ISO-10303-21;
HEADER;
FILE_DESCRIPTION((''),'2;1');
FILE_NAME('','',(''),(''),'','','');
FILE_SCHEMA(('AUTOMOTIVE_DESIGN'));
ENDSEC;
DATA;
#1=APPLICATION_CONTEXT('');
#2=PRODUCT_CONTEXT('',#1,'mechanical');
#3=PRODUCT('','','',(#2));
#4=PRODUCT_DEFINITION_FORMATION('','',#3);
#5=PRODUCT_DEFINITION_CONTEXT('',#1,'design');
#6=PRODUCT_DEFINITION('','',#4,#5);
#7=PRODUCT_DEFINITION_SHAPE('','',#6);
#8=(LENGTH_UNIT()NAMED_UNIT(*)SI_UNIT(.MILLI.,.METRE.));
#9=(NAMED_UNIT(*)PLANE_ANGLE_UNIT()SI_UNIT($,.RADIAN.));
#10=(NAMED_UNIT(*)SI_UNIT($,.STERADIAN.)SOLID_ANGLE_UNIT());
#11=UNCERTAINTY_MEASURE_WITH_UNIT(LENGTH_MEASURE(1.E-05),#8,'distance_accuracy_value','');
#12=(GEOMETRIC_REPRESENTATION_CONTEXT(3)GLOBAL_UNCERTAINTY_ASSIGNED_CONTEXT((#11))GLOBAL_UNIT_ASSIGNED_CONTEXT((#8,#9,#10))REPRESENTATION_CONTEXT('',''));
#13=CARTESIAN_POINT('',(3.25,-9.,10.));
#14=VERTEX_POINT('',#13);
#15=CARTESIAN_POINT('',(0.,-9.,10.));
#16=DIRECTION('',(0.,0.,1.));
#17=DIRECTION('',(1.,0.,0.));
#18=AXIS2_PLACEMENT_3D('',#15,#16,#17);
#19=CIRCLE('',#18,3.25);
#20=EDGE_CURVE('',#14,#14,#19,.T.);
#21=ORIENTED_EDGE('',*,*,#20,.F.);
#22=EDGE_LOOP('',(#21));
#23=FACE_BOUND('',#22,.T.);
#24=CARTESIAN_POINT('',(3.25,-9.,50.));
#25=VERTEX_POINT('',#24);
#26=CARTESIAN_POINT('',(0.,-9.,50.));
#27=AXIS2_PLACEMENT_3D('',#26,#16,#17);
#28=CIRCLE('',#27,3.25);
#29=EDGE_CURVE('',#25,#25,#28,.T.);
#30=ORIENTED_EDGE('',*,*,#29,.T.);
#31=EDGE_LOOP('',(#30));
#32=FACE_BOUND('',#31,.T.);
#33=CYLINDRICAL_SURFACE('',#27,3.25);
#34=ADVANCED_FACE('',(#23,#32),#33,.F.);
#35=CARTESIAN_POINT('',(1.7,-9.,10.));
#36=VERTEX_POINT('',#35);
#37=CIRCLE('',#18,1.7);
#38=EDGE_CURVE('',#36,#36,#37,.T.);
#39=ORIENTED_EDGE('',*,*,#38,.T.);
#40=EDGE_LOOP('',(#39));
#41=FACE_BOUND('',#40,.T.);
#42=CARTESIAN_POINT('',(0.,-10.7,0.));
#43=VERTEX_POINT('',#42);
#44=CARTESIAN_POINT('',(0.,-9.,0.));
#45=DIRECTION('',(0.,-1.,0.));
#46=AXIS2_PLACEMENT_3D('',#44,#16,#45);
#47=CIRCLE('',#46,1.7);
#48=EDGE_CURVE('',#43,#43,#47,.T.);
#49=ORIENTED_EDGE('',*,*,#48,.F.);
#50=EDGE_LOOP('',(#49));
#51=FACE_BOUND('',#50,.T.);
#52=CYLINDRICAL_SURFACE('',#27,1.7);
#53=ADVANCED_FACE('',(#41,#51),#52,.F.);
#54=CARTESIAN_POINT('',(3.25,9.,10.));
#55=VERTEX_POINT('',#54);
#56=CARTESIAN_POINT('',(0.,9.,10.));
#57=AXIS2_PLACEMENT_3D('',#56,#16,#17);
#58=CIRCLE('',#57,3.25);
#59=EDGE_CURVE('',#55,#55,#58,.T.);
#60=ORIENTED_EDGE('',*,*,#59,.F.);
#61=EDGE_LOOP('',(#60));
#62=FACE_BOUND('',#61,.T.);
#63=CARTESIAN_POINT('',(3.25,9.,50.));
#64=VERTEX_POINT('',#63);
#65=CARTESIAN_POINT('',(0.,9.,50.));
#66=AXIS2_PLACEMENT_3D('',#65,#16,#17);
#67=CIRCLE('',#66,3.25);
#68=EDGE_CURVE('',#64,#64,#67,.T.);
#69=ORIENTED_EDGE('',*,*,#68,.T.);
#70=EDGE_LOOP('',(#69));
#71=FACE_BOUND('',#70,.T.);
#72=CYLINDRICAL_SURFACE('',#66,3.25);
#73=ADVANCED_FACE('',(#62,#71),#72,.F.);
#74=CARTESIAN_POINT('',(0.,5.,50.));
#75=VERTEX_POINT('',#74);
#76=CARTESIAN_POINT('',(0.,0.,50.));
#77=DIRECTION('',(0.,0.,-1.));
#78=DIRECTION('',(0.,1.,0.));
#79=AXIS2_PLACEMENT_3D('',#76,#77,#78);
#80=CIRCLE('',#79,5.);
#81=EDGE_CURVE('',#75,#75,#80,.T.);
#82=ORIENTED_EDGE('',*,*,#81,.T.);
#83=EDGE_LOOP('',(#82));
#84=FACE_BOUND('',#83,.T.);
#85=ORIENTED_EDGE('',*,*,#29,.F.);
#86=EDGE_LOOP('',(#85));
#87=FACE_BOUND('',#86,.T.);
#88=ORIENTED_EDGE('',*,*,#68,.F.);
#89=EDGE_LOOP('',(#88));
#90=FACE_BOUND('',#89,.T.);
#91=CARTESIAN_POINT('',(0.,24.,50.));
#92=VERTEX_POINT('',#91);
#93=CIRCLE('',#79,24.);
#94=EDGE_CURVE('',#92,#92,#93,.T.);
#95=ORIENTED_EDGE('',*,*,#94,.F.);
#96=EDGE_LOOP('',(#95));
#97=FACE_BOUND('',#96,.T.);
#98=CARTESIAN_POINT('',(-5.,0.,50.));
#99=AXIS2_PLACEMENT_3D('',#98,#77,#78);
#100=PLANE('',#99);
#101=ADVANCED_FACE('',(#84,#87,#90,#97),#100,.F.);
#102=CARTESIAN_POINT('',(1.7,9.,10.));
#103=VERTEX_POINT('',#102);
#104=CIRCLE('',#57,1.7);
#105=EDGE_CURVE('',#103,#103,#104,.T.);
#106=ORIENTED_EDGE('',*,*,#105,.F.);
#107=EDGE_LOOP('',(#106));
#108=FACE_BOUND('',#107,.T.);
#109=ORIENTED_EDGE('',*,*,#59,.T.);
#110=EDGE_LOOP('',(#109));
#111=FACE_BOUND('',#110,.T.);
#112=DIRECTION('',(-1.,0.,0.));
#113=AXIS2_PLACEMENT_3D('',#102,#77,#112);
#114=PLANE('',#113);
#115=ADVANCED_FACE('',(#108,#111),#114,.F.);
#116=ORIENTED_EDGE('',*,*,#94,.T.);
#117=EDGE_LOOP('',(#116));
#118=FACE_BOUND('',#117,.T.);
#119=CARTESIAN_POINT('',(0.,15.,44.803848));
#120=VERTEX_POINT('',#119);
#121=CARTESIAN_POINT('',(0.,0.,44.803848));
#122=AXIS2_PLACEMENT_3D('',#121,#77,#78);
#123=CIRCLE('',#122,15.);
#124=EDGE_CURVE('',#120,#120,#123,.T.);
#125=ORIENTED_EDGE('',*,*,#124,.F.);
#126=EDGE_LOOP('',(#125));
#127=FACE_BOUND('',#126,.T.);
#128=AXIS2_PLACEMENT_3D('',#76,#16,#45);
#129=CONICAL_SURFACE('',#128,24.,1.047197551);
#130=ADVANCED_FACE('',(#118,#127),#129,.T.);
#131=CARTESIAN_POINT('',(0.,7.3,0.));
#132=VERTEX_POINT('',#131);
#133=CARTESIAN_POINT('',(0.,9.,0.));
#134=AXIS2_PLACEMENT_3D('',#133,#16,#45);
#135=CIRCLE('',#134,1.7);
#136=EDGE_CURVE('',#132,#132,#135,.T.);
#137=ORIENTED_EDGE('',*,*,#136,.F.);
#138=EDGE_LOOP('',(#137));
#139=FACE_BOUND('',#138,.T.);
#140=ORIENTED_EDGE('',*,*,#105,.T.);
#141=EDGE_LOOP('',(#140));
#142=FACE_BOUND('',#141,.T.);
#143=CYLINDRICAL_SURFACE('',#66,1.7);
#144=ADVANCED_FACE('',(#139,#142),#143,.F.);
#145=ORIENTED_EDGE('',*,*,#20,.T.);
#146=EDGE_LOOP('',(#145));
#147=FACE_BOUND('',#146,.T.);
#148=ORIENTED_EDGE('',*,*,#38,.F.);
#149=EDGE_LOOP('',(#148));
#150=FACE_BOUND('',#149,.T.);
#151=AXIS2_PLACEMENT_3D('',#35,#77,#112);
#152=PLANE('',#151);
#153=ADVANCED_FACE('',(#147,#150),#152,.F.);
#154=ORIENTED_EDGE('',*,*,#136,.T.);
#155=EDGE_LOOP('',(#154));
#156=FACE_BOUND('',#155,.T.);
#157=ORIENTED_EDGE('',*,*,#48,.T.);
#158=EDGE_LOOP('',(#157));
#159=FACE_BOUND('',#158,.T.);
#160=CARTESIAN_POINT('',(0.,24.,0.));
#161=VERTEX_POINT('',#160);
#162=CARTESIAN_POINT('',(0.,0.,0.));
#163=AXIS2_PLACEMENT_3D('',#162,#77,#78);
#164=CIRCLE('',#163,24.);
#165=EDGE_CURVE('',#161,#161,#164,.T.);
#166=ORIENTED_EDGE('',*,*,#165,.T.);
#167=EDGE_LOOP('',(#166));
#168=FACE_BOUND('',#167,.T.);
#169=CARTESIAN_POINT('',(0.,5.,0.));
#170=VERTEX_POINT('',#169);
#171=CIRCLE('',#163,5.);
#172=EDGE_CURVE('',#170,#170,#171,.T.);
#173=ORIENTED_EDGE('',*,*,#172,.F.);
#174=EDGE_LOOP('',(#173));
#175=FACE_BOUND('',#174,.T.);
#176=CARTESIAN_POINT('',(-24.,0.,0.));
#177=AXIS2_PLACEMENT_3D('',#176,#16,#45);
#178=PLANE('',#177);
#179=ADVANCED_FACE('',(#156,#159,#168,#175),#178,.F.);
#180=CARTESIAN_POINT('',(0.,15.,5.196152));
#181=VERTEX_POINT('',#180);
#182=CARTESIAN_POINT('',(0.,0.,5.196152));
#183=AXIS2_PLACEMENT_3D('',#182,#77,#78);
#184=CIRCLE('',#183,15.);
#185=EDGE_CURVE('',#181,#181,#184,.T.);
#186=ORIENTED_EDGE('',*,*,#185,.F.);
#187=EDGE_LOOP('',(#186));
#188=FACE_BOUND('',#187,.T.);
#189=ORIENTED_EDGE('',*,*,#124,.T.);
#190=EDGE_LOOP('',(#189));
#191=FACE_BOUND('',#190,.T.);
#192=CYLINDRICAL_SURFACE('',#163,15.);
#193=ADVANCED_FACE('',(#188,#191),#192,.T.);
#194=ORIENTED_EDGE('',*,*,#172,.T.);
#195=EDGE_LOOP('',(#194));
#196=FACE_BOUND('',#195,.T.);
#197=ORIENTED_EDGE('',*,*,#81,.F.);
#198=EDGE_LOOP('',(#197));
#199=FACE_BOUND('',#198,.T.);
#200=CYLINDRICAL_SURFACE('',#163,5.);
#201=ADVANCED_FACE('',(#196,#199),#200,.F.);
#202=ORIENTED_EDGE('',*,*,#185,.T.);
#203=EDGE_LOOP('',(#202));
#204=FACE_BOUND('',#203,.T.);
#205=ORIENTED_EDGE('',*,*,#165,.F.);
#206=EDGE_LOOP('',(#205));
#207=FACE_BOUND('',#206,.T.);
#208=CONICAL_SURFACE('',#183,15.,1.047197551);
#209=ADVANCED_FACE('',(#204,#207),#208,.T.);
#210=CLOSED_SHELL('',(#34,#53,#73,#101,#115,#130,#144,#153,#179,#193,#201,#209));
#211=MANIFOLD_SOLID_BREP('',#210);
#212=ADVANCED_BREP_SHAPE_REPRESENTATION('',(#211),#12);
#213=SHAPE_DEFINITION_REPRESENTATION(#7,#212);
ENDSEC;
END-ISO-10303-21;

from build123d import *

# Parameters (mm, degrees)
CBORE_FOR_M3_SHCS1_D           = 3.4
CBORE_FOR_M3_SHCS1_CBORE_D     = 6.5
CBORE_FOR_M3_SHCS1_CBORE_DEPTH = 40


with BuildPart() as part:
    # Sketch2 → Revolve1 (revolve)
    with BuildSketch(Plane(origin=(0, 0, 0), x_dir=(-1, 0, 0), z_dir=(0, -1, 0)), mode=Mode.PRIVATE) as revolve1_sk:
        Polygon((5, 0), (5, -50), (24, -50), (15, -44.803847577), (15, -5.196152423), (24, 0), align=None)
    revolve(revolve1_sk.sketch.rotate(Axis((0, 0, 0), (0, 0, 1)), 270), axis=Axis((0, 0, 0), (0, 0, 1)))

    # CBORE for M3 SHCS1 (through all)
    with Locations(Plane.XY.offset(50)):
        with Locations((0, -9), (0, 9)):
            CounterBoreHole(CBORE_FOR_M3_SHCS1_D / 2, CBORE_FOR_M3_SHCS1_CBORE_D / 2, CBORE_FOR_M3_SHCS1_CBORE_DEPTH)


solid = part.part
